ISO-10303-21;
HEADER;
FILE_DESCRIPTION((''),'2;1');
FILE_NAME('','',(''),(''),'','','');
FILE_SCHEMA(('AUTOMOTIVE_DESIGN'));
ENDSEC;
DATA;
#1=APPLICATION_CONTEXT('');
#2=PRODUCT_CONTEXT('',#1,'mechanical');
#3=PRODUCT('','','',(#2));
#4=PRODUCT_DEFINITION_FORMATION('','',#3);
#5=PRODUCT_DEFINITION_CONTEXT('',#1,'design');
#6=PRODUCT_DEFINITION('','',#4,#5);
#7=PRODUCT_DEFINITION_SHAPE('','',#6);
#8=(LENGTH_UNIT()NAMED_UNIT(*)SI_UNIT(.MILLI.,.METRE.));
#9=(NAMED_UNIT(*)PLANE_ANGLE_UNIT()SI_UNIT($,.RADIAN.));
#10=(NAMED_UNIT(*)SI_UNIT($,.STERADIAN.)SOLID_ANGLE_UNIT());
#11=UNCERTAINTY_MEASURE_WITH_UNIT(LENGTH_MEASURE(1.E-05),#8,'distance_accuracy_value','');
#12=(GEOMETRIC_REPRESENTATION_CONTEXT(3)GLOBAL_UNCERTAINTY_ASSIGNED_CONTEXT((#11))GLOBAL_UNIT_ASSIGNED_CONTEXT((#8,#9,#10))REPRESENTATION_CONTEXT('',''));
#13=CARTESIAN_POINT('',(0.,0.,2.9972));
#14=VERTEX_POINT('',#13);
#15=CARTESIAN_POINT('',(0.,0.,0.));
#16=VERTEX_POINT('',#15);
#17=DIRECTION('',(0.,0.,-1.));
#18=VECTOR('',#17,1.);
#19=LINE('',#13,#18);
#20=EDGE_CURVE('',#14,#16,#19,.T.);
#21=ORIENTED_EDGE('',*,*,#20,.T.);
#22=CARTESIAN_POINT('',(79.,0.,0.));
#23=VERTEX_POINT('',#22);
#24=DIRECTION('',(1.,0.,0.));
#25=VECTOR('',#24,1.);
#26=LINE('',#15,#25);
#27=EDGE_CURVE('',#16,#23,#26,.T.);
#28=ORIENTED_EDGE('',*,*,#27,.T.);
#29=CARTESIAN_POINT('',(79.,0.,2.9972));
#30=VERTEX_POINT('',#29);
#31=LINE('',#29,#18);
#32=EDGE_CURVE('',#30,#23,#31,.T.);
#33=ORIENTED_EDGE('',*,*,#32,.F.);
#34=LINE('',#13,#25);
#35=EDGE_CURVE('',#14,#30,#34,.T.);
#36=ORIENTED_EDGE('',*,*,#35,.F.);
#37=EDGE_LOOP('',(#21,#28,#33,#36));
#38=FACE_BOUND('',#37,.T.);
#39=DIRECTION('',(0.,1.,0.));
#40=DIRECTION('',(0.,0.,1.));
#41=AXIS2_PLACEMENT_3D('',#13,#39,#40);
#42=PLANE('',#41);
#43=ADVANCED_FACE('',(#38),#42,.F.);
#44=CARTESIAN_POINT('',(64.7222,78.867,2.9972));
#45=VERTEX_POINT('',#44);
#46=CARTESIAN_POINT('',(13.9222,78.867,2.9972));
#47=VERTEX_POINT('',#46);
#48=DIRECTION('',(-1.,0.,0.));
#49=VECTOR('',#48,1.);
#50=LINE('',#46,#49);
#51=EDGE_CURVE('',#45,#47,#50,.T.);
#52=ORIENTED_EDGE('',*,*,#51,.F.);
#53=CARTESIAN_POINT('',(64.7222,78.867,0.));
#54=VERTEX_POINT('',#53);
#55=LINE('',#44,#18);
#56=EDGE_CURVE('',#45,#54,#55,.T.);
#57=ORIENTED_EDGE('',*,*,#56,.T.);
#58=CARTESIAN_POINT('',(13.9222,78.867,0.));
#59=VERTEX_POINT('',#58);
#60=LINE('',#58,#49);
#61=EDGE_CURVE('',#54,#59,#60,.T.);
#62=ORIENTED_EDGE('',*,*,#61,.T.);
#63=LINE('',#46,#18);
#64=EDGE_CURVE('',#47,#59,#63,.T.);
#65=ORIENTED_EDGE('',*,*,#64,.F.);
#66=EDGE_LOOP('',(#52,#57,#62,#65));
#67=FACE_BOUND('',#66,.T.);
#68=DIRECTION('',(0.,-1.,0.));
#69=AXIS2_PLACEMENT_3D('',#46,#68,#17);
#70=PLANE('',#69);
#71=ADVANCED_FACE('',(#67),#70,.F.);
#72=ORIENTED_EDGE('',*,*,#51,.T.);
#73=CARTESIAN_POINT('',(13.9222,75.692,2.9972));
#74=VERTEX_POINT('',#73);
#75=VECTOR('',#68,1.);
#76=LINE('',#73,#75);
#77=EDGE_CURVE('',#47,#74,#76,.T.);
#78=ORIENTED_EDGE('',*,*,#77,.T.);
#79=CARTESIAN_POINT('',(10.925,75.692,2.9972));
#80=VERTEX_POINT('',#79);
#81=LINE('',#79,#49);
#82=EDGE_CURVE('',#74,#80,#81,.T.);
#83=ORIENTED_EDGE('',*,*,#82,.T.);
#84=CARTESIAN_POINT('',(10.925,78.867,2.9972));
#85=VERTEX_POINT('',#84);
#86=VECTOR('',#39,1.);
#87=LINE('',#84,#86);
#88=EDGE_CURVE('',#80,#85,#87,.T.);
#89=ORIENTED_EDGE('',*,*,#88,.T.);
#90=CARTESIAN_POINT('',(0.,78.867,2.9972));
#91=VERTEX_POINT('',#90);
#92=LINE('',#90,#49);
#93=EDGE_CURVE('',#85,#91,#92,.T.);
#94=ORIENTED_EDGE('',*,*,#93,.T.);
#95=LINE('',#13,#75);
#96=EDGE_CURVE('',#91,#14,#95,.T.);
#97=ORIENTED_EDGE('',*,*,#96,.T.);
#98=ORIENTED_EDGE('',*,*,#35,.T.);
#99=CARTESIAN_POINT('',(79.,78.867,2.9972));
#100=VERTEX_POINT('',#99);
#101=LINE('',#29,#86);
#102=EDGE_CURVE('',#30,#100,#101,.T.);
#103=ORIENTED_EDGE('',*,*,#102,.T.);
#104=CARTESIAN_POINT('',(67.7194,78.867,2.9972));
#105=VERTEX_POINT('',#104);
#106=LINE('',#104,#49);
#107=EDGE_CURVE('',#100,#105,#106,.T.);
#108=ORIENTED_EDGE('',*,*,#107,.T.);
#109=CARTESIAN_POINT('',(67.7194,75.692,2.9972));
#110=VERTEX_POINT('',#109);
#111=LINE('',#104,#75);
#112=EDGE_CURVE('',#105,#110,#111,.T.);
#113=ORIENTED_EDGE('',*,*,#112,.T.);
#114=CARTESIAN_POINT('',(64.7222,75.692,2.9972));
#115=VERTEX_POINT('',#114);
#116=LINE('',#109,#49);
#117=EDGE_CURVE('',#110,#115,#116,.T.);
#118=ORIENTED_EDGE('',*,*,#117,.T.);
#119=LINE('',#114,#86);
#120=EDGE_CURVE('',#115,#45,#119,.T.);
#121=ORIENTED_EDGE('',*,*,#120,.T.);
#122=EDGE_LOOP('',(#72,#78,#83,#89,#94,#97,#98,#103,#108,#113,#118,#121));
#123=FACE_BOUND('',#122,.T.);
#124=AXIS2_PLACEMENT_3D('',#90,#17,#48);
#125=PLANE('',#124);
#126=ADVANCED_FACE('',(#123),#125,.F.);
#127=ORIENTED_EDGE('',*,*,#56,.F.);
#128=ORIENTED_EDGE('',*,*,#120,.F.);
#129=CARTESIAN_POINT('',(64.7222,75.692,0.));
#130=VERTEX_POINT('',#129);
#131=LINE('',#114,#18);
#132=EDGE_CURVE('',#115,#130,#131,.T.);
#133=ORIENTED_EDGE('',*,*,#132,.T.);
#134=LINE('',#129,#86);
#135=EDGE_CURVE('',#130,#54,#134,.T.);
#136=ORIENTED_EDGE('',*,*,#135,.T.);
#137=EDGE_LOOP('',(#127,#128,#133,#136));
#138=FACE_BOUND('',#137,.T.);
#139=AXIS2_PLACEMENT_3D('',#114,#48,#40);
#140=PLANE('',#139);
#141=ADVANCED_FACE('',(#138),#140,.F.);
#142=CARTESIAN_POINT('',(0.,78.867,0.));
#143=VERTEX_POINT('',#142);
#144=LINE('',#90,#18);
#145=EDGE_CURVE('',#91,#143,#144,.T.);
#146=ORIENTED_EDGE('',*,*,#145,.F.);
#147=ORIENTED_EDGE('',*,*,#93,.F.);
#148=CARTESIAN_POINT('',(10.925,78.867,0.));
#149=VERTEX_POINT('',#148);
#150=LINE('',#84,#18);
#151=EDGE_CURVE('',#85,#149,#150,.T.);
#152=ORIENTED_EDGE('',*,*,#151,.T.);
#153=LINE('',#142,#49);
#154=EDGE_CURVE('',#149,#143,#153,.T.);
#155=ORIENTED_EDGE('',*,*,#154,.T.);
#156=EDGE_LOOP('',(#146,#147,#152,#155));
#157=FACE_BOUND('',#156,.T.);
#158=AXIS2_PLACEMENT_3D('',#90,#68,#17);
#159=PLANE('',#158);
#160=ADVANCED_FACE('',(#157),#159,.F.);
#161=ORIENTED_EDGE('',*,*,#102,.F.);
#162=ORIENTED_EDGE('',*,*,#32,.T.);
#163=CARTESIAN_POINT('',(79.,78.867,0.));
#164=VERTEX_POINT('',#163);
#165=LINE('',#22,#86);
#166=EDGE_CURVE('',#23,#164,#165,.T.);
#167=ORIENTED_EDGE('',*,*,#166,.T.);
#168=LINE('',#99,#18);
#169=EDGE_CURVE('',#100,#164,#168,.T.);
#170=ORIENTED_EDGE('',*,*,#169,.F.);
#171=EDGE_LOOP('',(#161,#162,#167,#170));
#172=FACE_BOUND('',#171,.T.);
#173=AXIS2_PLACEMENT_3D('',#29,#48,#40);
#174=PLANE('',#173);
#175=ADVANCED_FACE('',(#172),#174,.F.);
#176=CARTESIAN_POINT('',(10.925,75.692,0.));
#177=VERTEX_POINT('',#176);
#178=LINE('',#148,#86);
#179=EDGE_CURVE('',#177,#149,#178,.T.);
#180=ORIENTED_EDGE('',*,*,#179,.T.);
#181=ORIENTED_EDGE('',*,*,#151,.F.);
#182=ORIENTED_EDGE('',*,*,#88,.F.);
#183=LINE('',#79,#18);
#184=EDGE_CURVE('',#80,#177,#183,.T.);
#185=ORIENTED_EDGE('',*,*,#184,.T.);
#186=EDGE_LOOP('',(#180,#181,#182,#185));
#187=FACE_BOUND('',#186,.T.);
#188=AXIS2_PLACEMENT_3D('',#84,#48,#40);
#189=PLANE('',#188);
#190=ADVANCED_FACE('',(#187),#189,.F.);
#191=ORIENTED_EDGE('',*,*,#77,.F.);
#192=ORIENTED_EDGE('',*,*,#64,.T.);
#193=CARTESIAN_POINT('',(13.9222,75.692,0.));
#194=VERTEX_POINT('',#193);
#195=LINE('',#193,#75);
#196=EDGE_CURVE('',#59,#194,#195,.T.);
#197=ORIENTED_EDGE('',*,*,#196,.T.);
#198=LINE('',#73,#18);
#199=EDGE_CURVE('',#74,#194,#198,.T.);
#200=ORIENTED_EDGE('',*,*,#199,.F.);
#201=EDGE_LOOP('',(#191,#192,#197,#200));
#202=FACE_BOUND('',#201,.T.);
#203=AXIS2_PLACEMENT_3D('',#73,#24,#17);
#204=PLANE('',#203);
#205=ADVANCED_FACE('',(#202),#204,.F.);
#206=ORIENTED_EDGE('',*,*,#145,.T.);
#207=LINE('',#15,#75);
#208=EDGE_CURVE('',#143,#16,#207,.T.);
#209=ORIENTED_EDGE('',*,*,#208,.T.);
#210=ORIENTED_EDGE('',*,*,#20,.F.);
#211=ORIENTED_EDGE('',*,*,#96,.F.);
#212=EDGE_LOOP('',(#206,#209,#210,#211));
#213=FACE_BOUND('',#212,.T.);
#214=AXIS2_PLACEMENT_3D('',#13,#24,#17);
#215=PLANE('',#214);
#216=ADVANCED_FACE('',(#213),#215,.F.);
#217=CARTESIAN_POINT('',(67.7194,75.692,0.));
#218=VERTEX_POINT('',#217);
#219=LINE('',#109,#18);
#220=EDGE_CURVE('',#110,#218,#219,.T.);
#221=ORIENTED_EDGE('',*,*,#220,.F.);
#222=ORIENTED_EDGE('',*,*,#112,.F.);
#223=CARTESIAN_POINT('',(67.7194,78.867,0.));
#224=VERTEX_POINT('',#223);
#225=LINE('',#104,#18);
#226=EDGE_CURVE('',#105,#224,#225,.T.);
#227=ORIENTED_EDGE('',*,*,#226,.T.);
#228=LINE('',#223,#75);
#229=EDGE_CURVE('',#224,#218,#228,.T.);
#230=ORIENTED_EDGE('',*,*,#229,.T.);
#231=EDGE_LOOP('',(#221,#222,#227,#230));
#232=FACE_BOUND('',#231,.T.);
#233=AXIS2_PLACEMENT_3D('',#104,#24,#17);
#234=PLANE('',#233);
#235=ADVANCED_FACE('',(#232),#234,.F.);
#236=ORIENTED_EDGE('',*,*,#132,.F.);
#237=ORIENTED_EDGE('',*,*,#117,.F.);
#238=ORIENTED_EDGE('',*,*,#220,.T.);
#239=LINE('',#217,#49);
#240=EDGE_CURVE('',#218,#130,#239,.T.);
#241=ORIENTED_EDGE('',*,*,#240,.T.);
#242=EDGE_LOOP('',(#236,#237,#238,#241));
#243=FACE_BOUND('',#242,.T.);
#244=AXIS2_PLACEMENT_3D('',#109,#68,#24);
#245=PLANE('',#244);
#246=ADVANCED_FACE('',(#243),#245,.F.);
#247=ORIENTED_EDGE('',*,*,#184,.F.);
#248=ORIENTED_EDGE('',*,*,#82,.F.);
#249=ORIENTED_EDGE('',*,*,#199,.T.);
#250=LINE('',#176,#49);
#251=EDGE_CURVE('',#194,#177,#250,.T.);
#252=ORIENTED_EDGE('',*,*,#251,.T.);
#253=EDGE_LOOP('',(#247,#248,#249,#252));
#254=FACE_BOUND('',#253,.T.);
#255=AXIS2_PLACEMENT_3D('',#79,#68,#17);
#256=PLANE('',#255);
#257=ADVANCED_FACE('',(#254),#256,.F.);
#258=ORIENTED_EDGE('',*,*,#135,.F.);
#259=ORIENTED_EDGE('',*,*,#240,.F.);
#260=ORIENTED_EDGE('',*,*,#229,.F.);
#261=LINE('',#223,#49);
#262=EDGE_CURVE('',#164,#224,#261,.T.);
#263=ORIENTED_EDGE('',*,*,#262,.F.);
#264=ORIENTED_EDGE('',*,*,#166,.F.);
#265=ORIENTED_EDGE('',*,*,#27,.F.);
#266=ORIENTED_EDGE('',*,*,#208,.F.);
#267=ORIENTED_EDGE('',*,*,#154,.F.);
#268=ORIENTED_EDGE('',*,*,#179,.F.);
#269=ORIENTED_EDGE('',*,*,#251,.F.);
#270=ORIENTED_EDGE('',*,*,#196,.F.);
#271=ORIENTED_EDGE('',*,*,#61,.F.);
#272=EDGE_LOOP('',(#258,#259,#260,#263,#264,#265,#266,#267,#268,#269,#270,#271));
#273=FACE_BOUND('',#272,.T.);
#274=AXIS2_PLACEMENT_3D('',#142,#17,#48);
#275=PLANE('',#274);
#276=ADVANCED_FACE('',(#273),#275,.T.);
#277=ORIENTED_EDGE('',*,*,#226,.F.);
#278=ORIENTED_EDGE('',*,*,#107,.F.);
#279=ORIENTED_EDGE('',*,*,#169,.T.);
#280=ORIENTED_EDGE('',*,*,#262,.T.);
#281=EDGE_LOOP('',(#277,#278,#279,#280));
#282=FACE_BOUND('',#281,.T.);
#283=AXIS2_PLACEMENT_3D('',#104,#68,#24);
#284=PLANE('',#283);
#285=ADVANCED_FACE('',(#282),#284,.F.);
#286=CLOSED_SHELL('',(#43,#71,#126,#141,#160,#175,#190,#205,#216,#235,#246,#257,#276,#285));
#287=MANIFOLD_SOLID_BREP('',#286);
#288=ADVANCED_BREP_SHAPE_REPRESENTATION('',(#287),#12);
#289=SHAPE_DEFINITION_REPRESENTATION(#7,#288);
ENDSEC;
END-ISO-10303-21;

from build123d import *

# Parameters (mm, degrees)
BOSS_EXTRUDE1_DEPTH = 2.9972


with BuildPart() as part:
    # Sketch1 → Boss-Extrude1 (new body)
    with BuildSketch(Plane.XY):
        Polygon((10.925, 78.867), (10.925, 75.692), (13.9222, 75.692), (13.9222, 78.867), (64.7222, 78.867), (64.7222, 75.692), (67.7194, 75.692), (67.7194, 78.867), (79, 78.867), (79, 0), (0, 0), (0, 78.867), align=None)
    extrude(amount=BOSS_EXTRUDE1_DEPTH)


solid = part.part
